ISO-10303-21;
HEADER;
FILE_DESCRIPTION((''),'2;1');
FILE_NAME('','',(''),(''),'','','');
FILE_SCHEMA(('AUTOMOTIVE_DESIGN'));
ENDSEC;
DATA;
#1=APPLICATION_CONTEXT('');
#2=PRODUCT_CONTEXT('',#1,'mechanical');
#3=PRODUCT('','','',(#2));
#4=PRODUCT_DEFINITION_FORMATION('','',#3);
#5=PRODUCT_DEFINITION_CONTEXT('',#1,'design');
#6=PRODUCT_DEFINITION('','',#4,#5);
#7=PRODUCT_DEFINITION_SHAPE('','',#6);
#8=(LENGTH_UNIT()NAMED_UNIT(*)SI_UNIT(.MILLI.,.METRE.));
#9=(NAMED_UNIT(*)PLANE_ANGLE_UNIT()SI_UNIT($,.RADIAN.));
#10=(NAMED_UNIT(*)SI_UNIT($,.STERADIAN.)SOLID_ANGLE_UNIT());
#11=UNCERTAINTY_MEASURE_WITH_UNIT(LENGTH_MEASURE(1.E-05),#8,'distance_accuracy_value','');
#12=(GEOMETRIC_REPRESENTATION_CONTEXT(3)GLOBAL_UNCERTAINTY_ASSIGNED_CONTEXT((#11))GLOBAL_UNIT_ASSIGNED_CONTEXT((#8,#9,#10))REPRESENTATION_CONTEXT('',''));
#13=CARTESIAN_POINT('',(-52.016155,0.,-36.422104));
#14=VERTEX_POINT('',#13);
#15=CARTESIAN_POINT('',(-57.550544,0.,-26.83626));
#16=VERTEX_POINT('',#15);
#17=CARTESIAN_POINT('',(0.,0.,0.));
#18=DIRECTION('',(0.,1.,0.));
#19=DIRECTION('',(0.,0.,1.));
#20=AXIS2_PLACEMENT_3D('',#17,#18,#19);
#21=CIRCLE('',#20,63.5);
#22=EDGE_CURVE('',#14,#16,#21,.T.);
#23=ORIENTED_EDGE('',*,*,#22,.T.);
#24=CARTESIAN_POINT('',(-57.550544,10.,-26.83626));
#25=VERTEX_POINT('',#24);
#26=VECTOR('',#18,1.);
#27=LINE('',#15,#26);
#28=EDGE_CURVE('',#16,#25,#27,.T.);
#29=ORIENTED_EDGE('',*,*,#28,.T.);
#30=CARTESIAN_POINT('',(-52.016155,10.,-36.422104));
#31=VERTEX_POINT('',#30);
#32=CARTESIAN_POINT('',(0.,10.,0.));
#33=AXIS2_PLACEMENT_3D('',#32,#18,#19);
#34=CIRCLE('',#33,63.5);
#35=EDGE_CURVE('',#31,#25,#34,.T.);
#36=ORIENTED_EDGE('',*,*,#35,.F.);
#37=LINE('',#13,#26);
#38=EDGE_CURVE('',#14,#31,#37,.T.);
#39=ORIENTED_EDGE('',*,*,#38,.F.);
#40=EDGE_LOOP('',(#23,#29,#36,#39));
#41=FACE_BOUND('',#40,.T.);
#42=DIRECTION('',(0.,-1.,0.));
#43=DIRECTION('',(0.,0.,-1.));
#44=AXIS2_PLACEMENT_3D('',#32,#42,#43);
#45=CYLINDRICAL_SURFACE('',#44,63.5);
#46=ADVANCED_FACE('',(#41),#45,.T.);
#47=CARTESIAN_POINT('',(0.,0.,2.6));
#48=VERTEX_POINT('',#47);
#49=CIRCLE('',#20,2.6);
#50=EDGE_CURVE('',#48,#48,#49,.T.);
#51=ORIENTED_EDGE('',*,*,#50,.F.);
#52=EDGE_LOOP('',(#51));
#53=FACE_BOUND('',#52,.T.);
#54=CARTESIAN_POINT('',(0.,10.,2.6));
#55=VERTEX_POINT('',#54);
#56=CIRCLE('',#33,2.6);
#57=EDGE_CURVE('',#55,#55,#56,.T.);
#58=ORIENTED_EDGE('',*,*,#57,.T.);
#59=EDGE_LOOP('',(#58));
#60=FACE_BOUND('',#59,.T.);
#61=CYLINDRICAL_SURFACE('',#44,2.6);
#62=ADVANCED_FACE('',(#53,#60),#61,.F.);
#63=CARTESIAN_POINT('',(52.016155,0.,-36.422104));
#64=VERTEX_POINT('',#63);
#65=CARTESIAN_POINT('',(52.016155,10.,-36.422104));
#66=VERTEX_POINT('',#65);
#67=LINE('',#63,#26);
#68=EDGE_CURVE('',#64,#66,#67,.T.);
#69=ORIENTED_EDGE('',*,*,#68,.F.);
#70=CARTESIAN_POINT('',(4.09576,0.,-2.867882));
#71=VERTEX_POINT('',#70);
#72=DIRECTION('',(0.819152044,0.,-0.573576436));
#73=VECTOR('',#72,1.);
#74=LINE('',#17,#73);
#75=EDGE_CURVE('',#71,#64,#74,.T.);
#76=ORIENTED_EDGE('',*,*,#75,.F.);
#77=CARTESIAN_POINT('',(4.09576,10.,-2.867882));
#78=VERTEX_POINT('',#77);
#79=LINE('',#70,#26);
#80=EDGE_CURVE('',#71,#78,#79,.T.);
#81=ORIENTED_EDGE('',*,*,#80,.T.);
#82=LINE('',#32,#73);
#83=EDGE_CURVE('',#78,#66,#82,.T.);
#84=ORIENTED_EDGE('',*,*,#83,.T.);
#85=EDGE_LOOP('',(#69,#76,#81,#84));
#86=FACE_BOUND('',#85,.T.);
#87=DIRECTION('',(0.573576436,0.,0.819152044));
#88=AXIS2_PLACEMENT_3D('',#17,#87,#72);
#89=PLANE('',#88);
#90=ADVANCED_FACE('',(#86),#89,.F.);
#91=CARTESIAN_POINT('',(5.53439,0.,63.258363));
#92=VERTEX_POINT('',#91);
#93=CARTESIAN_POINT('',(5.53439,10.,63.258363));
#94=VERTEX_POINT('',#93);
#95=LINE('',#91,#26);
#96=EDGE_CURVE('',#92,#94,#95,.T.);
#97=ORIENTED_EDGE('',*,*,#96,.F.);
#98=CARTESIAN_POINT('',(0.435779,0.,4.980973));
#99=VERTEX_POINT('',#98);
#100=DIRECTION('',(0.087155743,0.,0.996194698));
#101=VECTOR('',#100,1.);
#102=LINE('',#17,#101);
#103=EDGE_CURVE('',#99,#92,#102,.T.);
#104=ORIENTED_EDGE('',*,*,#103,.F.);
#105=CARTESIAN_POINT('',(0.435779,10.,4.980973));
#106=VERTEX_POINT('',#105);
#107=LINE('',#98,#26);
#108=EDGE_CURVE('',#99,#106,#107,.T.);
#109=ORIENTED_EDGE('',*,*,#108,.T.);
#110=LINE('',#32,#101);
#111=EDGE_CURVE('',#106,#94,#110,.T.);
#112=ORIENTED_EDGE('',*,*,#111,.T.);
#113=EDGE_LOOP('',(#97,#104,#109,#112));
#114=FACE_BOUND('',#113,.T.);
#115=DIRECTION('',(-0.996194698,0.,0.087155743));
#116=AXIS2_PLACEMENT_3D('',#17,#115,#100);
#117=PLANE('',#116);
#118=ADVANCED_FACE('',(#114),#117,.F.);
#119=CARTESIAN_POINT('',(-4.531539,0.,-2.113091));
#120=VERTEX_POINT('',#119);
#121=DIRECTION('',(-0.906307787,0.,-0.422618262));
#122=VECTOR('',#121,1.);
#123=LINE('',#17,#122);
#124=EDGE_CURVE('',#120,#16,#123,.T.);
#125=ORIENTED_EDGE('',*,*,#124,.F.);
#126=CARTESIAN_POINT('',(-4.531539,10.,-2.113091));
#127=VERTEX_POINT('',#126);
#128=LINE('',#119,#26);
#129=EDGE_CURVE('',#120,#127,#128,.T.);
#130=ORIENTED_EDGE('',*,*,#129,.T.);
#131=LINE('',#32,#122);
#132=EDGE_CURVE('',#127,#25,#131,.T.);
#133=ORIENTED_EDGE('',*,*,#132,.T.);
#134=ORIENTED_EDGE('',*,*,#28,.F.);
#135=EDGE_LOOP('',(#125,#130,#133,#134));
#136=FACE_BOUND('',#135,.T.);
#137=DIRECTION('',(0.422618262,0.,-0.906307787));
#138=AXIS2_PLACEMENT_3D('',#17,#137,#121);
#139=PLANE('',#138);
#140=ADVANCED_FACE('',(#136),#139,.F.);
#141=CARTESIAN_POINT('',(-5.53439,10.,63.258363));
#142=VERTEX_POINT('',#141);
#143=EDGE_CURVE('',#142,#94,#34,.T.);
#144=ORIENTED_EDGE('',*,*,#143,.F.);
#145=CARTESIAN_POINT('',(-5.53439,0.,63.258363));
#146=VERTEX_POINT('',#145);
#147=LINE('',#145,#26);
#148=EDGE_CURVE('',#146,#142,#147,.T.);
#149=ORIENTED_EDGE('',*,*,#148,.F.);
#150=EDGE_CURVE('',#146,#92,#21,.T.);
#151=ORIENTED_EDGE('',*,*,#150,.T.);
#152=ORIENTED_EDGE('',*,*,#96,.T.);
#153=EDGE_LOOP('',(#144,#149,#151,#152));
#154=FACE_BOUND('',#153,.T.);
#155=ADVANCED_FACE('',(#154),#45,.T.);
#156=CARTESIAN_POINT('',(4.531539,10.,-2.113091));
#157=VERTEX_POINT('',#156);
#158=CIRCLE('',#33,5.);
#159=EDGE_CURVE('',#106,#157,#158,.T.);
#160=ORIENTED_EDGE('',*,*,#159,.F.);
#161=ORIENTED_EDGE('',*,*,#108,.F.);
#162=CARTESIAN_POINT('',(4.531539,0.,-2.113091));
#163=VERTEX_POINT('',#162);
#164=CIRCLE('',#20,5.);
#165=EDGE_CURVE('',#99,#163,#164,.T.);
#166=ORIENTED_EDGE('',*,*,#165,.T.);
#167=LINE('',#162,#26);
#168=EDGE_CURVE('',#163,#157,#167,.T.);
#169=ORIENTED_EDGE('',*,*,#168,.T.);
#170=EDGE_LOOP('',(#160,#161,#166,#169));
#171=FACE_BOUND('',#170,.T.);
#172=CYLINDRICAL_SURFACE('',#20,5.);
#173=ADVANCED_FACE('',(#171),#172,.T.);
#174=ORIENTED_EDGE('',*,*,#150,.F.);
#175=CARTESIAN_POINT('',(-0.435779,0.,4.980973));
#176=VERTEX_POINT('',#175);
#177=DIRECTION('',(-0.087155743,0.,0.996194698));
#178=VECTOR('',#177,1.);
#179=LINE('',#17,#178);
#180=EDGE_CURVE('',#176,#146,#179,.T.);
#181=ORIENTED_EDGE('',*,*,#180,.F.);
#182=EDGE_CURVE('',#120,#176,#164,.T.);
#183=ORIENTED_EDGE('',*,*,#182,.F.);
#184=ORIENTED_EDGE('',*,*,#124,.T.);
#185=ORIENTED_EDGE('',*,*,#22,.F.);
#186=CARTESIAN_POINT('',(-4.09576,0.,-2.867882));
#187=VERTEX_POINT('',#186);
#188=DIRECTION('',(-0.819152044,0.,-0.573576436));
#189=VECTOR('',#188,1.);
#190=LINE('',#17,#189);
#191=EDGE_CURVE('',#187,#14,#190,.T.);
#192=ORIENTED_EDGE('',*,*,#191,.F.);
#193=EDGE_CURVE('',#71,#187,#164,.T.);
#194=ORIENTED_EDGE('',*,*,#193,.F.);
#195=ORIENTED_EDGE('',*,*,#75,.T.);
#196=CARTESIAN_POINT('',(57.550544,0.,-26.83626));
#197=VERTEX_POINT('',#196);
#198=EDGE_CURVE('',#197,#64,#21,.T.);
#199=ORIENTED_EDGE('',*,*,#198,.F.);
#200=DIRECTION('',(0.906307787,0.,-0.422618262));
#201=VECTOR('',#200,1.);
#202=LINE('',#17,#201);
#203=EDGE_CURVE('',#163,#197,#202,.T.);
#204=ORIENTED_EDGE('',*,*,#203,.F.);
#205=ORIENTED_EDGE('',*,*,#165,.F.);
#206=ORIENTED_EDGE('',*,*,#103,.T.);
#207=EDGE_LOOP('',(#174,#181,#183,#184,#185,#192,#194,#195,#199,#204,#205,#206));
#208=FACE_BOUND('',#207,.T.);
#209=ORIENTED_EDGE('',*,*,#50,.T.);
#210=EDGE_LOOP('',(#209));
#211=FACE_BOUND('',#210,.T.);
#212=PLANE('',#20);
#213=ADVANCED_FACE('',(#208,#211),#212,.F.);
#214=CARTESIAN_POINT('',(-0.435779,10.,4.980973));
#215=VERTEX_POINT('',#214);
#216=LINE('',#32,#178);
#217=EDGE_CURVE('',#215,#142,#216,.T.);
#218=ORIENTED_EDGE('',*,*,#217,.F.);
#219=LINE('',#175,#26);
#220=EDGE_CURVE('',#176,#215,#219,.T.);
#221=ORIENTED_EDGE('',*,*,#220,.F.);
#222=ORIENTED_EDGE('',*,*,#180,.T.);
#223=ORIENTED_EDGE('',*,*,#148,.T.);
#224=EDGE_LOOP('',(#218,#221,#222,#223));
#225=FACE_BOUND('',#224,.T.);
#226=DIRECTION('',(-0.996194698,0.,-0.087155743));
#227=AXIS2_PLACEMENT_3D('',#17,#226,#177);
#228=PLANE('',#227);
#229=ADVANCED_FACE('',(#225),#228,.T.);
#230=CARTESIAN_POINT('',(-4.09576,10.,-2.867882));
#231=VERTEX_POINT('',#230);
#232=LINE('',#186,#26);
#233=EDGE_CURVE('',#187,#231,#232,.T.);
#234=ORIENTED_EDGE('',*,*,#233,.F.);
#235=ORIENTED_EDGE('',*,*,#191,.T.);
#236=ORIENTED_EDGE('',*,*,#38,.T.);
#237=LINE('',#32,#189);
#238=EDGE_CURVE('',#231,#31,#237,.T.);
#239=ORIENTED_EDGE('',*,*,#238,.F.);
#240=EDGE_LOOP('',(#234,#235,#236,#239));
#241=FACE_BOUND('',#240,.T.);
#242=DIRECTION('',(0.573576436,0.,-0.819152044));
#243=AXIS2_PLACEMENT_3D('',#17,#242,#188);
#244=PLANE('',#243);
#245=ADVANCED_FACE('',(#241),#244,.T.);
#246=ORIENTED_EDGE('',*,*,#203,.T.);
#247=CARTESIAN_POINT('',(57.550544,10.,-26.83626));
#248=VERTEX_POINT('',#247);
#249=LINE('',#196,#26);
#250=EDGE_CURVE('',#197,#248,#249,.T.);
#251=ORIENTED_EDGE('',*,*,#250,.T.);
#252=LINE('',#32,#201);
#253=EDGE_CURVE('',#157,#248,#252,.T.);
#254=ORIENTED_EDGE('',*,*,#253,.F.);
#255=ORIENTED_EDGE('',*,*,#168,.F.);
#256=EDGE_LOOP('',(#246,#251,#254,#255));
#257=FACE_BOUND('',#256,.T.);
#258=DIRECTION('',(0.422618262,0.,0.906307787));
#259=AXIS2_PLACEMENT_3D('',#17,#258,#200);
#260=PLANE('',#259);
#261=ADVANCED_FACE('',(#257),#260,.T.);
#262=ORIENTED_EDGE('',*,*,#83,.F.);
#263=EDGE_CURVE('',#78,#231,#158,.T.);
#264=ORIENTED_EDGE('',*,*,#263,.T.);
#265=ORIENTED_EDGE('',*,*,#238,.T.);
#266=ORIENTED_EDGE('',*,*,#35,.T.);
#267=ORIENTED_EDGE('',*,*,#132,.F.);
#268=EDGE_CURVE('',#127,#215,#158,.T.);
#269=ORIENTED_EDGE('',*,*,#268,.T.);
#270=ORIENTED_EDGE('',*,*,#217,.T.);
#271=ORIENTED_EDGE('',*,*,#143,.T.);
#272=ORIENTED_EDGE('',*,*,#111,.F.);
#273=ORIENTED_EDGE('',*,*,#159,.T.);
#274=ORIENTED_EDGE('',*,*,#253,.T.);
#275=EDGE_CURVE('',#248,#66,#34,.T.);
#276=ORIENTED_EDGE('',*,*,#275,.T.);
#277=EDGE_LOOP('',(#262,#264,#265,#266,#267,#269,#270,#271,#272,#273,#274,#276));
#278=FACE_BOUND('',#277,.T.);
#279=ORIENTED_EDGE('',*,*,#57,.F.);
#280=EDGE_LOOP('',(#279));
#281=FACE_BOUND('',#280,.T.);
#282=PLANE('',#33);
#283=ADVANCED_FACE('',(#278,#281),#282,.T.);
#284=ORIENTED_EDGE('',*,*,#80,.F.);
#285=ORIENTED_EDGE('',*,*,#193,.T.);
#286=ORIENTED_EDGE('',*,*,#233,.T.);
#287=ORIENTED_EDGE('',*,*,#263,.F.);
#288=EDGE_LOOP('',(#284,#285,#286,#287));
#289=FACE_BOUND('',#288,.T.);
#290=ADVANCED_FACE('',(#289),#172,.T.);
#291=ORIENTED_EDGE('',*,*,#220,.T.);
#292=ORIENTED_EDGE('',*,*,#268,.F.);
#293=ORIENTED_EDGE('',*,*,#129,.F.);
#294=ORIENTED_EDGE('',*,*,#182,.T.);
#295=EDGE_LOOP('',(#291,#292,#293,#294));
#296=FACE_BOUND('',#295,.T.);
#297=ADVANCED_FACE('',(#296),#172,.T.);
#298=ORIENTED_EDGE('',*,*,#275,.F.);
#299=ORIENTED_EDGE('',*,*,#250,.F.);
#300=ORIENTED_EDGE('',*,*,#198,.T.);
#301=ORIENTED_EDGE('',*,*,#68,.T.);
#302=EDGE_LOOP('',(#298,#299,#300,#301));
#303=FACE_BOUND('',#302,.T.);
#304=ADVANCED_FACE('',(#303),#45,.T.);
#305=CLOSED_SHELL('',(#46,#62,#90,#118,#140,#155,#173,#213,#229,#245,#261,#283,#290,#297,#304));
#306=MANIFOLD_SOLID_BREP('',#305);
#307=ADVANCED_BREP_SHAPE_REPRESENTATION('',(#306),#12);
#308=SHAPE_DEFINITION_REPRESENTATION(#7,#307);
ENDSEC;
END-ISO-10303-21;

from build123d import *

# Parameters (mm, degrees)
SKETCH1_R           = 63.5
SKETCH1_R_2         = 2.6
BOSS_EXTRUDE1_DEPTH = 10
CUT_EXTRUDE1_START  = -10
CUT_EXTRUDE1_DEPTH  = 10


with BuildPart() as part:
    # Sketch1 → Boss-Extrude1 (new body)
    with BuildSketch(Plane(origin=(0, 0, 0), x_dir=(1, 0, 0), z_dir=(0, 1, 0))):
        with Locations(Location((0, 0, 0), (0, 0, 270))):
            Circle(SKETCH1_R)
        with Locations(Location((0, 0, 0), (0, 0, 270))):
            Circle(SKETCH1_R_2, mode=Mode.SUBTRACT)
    extrude(amount=BOSS_EXTRUDE1_DEPTH)

    # Sketch2 → Cut-Extrude1 (cut)
    with BuildSketch(Plane(origin=(0, 10, 0), x_dir=(1, 0, 0), z_dir=(0, 1, 0)).offset(CUT_EXTRUDE1_START)):
        with BuildLine():
            ThreePointArc((4.531538935, 2.113091309), (4.330127019, -2.5), (0.435778714, -4.98097349))
            Line((0.435778714, -4.98097349), (5.534389664, -63.258363329))
            ThreePointArc((5.534389664, -63.258363329), (54.99261314, -31.75), (57.550544477, 26.836259621))
            Line((57.550544477, 26.836259621), (4.531538935, 2.113091309))
        make_face()
        with BuildLine():
            Line((-5.534389664, -63.258363329), (-0.435778714, -4.98097349))
            ThreePointArc((-0.435778714, -4.98097349), (-4.330127019, -2.5), (-4.531538935, 2.113091309))
            Line((-4.531538935, 2.113091309), (-57.550544477, 26.836259621))
            ThreePointArc((-57.550544477, 26.836259621), (-54.99261314, -31.75), (-5.534389664, -63.258363329))
        make_face()
        with BuildLine():
            Line((-52.016154812, 36.422103708), (-4.095760221, 2.867882182))
            ThreePointArc((-4.095760221, 2.867882182), (0, 5), (4.095760221, 2.867882182))
            Line((4.095760221, 2.867882182), (52.016154812, 36.422103708))
            ThreePointArc((52.016154812, 36.422103708), (0, 63.5), (-52.016154812, 36.422103708))
        make_face()
    extrude(amount=CUT_EXTRUDE1_DEPTH, mode=Mode.SUBTRACT)


solid = part.part
